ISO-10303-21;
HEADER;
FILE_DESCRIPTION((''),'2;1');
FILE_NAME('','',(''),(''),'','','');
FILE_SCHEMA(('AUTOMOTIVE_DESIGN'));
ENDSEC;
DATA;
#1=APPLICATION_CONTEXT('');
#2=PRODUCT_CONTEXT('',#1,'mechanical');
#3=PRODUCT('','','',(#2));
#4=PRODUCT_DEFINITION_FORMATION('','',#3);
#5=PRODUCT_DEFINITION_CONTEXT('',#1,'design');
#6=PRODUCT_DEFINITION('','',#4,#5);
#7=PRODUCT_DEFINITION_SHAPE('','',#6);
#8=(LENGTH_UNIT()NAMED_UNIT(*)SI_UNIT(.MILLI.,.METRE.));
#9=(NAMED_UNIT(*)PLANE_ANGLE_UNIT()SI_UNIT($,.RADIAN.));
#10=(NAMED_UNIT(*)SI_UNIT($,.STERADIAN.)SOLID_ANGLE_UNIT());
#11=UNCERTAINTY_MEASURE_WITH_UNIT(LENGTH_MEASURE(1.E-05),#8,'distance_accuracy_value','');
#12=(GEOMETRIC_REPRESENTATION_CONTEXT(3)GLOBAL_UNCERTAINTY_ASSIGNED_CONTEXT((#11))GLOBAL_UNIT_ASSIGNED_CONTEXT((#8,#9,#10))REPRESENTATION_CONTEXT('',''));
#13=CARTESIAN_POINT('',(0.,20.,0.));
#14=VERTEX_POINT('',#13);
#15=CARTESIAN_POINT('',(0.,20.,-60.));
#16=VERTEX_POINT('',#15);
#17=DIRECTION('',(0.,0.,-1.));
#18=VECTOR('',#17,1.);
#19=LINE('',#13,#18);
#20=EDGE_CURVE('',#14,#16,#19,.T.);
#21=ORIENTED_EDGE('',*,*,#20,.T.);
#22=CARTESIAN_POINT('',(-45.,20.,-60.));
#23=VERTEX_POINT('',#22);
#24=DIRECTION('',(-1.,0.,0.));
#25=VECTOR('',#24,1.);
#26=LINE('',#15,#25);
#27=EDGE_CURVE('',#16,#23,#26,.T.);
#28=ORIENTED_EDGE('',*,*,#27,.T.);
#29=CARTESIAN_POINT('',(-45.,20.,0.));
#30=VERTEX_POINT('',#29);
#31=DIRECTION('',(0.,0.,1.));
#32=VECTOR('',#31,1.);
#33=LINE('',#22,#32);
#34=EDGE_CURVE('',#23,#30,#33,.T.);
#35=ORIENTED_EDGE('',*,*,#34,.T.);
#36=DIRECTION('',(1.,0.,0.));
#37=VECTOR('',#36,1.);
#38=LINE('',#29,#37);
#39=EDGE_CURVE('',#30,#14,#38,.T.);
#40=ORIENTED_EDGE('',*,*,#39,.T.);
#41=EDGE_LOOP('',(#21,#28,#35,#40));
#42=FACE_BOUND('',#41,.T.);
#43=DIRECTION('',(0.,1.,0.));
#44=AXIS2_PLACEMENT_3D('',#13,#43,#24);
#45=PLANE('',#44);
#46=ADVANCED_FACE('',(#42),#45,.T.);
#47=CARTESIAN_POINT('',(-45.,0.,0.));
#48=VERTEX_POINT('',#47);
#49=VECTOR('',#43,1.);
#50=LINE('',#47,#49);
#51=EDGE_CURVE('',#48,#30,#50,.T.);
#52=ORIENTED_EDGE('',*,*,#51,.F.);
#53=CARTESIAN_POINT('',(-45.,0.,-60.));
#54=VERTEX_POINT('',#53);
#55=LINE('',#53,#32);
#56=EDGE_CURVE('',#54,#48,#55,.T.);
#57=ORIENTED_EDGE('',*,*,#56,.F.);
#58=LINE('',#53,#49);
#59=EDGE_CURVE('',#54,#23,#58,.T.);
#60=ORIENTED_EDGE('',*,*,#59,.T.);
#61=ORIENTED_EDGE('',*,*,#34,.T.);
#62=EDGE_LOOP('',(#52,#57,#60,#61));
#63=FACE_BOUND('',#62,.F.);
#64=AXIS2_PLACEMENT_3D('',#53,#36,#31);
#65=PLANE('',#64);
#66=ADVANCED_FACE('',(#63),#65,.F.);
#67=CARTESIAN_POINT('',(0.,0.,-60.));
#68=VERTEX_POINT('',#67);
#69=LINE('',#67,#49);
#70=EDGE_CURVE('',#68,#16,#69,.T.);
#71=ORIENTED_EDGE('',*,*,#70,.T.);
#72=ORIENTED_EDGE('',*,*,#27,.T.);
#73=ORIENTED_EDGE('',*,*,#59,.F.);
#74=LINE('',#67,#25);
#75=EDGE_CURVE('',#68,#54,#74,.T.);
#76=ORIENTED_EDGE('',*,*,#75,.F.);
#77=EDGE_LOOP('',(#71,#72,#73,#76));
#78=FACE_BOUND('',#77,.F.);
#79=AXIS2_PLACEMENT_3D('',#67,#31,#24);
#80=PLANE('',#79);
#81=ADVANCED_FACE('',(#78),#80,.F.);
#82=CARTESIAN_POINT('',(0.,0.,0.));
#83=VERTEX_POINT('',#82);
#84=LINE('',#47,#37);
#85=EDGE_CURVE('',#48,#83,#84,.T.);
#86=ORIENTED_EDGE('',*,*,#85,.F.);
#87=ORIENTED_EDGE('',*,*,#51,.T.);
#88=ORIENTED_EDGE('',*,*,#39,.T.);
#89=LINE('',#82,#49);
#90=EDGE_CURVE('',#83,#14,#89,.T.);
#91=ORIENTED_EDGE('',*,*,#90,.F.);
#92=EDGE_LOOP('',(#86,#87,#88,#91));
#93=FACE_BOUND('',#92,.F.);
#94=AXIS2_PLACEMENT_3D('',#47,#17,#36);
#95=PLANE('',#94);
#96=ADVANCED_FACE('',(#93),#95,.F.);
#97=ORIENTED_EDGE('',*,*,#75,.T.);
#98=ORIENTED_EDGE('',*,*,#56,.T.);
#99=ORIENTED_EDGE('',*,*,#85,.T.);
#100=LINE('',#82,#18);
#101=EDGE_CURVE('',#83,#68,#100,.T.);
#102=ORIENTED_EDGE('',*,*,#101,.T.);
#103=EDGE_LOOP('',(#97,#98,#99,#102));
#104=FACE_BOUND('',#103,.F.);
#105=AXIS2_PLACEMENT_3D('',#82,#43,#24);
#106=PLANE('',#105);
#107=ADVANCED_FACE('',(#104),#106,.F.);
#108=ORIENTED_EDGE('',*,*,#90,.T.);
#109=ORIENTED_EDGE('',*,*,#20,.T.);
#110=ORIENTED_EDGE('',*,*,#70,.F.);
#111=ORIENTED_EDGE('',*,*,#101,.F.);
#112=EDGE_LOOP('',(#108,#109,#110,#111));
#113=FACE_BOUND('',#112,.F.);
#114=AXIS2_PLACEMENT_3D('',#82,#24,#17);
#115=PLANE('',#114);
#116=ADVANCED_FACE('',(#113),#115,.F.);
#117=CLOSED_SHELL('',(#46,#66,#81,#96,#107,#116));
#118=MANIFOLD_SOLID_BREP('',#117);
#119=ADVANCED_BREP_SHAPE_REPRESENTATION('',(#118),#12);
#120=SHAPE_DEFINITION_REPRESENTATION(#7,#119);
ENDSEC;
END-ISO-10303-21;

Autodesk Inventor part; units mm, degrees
ref_plane "YZ Plane" through (0, 0, 0) normal (1, 0, 0) x (0, 1, 0)
ref_plane "XZ Plane" through (0, 0, 0) normal (0, 1, 0) x (-1, 0, 0)
ref_plane "XY Plane" through (0, 0, 0) normal (0, 0, 1) x (1, 0, 0)
sketch "スケッチ1" plane through (0, 0, 0) normal (0, 1, 0) x (-1, 0, 0)
  line L0 (45, 0) -> (0, 0)
  line L1 (0, 0) -> (0, -60)
  line L2 (0, -60) -> (45, -60)
  line L3 (45, -60) -> (45, 0)
  dimension "d0" = 45
  dimension "d1" = 60
extrude "押し出し1" add sketch "スケッチ1" along normal blind 20
properties part number "battely"
